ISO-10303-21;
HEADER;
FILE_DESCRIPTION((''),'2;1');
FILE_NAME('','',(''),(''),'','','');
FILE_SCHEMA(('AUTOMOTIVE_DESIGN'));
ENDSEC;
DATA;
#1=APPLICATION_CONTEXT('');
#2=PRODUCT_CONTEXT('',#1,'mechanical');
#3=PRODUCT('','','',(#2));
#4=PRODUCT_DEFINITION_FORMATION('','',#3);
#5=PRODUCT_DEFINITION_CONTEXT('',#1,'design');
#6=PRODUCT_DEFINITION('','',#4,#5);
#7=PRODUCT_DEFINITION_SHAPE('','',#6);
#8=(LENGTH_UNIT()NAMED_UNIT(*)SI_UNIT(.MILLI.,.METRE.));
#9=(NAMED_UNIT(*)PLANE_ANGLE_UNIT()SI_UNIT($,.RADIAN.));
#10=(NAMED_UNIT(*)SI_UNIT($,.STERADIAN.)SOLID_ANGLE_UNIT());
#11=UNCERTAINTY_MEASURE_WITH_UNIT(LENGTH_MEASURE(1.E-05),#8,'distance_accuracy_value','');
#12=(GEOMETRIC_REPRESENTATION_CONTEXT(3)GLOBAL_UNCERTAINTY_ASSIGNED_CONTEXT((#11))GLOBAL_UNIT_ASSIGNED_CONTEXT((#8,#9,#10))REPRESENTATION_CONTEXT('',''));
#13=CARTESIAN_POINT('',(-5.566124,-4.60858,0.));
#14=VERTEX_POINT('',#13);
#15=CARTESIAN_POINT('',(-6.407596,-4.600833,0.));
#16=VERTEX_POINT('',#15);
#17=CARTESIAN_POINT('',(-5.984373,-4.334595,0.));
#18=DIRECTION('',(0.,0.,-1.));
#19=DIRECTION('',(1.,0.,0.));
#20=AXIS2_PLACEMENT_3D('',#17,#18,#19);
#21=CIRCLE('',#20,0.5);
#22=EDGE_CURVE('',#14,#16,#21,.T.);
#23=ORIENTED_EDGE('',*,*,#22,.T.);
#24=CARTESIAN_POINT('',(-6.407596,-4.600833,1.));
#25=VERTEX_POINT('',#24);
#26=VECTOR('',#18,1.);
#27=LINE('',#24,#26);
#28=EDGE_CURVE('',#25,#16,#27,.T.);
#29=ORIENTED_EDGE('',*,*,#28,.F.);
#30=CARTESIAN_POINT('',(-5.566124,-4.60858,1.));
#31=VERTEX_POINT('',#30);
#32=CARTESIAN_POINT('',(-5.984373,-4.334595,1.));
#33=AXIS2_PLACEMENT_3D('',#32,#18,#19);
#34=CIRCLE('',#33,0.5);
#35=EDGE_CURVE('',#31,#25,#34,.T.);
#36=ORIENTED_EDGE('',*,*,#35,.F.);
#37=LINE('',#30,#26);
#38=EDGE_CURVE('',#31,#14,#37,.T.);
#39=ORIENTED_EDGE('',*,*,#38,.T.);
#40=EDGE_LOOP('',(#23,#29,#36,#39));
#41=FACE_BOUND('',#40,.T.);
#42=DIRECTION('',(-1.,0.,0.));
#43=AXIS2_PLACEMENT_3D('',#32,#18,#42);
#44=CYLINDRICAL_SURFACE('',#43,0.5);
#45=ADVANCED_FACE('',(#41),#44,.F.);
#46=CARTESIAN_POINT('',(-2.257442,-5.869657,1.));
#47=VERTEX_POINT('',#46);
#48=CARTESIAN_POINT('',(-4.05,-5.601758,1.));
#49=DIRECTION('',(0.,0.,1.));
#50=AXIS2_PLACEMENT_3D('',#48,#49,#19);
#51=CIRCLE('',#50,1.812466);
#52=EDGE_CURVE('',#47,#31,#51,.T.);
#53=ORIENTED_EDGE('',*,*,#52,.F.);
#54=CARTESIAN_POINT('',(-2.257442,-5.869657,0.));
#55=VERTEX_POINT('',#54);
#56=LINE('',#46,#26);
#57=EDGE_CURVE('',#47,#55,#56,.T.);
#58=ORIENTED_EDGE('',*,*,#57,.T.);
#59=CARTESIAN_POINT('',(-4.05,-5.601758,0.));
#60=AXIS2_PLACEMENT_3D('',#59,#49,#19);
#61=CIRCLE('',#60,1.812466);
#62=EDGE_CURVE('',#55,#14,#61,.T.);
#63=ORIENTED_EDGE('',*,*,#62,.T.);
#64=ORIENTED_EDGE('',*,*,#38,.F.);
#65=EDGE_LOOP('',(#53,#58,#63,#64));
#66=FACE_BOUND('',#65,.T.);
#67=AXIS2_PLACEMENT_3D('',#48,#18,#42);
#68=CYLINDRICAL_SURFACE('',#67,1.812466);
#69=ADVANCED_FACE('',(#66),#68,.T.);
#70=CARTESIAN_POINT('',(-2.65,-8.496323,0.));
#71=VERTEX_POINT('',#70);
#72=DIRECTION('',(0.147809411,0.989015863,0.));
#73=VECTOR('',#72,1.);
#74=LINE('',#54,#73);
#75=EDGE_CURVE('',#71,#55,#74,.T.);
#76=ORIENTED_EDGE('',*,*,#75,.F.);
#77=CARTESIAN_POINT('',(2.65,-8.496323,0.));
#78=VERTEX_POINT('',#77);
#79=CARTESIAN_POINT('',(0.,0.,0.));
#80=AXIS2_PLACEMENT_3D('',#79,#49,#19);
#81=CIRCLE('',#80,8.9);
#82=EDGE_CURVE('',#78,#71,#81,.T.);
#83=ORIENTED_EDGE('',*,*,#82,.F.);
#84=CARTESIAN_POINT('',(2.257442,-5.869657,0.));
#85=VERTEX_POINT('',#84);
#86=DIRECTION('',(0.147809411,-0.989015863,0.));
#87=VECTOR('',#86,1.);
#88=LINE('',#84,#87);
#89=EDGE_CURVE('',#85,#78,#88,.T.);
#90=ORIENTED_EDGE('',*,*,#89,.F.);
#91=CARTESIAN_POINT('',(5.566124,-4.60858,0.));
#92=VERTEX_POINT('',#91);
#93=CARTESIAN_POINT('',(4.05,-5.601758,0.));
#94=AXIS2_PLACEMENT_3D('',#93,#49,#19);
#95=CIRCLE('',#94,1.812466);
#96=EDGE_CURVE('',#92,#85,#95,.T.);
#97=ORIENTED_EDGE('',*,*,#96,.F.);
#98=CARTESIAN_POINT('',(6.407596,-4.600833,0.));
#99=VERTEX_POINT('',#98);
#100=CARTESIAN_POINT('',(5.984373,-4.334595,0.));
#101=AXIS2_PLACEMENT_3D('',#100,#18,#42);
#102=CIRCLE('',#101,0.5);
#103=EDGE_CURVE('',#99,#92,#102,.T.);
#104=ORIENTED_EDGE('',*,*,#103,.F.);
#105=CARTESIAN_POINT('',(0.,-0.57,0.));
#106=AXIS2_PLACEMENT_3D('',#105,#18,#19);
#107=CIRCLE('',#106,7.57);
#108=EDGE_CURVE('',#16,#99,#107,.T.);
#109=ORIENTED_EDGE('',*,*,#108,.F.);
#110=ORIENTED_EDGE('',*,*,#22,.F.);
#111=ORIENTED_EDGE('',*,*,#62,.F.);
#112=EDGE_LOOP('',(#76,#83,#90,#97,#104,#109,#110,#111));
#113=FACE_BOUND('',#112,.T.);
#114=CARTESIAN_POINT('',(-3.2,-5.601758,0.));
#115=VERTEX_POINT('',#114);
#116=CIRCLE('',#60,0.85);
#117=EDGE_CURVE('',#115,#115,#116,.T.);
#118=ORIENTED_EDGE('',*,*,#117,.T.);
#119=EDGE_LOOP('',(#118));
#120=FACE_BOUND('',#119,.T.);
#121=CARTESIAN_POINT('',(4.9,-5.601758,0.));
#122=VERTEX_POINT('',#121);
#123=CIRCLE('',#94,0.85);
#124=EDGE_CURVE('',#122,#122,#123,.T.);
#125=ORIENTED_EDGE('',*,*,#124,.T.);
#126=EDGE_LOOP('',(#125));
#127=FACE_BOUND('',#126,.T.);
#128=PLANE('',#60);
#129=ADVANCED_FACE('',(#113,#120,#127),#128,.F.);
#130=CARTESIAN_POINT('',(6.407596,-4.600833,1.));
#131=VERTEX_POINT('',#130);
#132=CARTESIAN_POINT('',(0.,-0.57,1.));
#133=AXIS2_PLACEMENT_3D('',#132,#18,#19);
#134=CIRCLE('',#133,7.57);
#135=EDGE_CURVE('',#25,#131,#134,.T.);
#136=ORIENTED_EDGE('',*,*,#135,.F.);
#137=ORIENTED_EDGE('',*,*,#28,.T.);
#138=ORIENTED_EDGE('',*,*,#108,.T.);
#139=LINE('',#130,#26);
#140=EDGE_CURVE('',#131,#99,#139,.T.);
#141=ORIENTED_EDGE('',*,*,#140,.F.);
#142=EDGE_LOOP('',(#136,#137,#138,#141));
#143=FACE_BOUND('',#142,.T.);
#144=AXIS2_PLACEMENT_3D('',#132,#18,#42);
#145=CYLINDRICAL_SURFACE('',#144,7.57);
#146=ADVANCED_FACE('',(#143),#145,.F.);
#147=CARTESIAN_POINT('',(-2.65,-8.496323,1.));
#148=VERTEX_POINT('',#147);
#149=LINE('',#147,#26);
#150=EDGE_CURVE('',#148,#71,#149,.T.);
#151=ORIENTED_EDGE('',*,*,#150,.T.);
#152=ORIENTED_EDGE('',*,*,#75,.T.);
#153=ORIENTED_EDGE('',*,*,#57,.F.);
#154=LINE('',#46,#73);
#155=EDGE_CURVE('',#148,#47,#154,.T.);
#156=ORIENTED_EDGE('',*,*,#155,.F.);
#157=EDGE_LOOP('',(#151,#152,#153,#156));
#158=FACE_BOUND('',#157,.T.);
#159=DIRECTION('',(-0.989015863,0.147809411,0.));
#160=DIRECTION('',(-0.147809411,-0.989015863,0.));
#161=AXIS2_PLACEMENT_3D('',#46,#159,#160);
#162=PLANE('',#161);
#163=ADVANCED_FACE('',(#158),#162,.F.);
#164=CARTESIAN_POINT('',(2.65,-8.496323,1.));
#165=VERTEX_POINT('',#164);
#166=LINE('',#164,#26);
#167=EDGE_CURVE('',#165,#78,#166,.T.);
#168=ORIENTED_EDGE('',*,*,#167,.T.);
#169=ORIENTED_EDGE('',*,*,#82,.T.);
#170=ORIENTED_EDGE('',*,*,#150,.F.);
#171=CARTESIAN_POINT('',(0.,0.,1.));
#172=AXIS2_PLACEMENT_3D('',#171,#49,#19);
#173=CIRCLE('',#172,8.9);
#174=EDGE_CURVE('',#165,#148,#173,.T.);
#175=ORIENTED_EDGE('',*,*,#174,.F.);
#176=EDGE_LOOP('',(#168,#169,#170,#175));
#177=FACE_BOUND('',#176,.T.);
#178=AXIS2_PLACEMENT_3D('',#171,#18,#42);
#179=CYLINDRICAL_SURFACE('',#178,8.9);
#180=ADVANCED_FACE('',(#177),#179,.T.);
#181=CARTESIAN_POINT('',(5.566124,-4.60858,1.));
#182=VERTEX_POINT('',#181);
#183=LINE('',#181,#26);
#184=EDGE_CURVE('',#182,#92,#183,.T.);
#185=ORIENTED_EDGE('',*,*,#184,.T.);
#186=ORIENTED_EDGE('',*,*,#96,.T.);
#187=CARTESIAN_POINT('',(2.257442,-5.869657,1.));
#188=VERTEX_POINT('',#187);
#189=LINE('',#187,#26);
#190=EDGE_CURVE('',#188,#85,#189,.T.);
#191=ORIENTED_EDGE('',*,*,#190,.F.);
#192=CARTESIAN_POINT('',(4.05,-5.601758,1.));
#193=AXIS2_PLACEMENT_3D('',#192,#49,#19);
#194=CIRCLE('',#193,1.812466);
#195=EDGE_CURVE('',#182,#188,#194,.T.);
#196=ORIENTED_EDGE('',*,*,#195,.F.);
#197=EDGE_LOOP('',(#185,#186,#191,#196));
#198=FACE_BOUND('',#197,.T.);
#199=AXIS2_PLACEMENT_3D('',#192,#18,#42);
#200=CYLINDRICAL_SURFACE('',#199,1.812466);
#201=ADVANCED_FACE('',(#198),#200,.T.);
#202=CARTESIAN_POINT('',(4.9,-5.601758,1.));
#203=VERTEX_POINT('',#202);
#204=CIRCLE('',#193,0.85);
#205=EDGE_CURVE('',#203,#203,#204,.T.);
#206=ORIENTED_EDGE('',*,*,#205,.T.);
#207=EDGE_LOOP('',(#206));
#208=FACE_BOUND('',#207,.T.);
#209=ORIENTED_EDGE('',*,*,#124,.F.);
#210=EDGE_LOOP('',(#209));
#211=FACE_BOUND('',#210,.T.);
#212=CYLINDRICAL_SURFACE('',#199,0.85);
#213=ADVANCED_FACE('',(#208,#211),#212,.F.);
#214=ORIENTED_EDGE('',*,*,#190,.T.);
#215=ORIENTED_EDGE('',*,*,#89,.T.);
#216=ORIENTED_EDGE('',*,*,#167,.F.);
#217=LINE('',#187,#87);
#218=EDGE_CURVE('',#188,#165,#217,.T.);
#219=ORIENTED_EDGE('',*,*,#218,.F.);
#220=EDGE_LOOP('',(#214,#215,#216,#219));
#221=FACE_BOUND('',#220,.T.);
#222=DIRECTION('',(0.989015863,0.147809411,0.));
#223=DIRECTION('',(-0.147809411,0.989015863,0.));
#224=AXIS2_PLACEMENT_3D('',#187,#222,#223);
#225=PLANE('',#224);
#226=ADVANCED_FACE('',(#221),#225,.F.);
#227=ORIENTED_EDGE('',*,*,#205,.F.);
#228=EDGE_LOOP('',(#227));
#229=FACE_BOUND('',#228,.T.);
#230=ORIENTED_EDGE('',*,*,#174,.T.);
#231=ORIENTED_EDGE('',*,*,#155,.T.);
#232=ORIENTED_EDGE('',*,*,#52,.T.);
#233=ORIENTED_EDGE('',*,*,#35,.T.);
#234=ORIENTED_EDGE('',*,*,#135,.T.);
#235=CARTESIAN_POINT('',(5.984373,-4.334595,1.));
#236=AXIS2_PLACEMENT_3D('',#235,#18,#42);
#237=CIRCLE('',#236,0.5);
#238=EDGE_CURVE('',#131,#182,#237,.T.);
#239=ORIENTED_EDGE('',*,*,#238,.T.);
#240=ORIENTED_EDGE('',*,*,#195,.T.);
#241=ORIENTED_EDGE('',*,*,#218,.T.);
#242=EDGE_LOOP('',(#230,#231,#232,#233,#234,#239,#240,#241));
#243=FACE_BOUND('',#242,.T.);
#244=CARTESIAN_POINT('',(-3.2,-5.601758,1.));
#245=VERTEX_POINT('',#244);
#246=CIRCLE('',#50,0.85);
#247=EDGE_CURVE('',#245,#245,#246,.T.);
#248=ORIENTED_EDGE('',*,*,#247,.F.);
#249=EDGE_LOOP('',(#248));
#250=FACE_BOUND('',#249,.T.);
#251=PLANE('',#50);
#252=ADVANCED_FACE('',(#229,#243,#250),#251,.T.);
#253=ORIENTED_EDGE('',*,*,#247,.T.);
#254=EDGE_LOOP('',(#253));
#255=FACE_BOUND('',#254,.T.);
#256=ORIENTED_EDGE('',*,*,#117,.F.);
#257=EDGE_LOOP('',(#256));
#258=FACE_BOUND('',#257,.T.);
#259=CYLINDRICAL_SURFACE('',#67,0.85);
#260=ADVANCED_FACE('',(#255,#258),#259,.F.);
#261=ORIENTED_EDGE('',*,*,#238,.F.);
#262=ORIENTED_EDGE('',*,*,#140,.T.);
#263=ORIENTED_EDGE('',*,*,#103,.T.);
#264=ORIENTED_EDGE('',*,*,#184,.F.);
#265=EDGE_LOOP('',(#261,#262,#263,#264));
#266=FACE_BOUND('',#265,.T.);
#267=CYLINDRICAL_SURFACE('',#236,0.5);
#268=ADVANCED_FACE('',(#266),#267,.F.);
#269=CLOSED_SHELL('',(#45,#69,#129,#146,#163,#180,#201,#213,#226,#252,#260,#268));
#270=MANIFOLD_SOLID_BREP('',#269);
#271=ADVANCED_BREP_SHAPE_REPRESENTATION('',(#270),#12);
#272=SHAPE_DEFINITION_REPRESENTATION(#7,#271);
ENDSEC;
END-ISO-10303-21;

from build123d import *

# Parameters (mm, degrees)
SKETCH1_R           = 0.85
BOSS_EXTRUDE1_DEPTH = 1


with BuildPart() as part:
    # Sketch1 → Boss-Extrude1 (new body)
    with BuildSketch(Plane.XY):
        with BuildLine():
            Line((-2.257442204, -5.86965719), (-2.65, -8.496322734))
            ThreePointArc((-2.65, -8.496322734), (0, 8.9), (2.65, -8.496322734))
            Line((2.65, -8.496322734), (2.257442204, -5.86965719))
            ThreePointArc((2.257442204, -5.86965719), (3.404490458, -3.908136939), (5.56612419, -4.608580375))
            ThreePointArc((5.56612419, -4.608580375), (5.988976647, -4.834574135), (6.407596147, -4.600832621))
            ThreePointArc((6.407596147, -4.600832621), (0, 7), (-6.407596147, -4.600832621))
            ThreePointArc((-6.407596147, -4.600832621), (-5.988976647, -4.834574135), (-5.56612419, -4.608580375))
            ThreePointArc((-5.56612419, -4.608580375), (-3.404490458, -3.908136939), (-2.257442204, -5.86965719))
        make_face()
        with Locations((-4.05, -5.601757633)):
            Circle(SKETCH1_R, mode=Mode.SUBTRACT)
        with Locations((4.05, -5.601757633)):
            Circle(SKETCH1_R, mode=Mode.SUBTRACT)
    extrude(amount=BOSS_EXTRUDE1_DEPTH)


solid = part.part
